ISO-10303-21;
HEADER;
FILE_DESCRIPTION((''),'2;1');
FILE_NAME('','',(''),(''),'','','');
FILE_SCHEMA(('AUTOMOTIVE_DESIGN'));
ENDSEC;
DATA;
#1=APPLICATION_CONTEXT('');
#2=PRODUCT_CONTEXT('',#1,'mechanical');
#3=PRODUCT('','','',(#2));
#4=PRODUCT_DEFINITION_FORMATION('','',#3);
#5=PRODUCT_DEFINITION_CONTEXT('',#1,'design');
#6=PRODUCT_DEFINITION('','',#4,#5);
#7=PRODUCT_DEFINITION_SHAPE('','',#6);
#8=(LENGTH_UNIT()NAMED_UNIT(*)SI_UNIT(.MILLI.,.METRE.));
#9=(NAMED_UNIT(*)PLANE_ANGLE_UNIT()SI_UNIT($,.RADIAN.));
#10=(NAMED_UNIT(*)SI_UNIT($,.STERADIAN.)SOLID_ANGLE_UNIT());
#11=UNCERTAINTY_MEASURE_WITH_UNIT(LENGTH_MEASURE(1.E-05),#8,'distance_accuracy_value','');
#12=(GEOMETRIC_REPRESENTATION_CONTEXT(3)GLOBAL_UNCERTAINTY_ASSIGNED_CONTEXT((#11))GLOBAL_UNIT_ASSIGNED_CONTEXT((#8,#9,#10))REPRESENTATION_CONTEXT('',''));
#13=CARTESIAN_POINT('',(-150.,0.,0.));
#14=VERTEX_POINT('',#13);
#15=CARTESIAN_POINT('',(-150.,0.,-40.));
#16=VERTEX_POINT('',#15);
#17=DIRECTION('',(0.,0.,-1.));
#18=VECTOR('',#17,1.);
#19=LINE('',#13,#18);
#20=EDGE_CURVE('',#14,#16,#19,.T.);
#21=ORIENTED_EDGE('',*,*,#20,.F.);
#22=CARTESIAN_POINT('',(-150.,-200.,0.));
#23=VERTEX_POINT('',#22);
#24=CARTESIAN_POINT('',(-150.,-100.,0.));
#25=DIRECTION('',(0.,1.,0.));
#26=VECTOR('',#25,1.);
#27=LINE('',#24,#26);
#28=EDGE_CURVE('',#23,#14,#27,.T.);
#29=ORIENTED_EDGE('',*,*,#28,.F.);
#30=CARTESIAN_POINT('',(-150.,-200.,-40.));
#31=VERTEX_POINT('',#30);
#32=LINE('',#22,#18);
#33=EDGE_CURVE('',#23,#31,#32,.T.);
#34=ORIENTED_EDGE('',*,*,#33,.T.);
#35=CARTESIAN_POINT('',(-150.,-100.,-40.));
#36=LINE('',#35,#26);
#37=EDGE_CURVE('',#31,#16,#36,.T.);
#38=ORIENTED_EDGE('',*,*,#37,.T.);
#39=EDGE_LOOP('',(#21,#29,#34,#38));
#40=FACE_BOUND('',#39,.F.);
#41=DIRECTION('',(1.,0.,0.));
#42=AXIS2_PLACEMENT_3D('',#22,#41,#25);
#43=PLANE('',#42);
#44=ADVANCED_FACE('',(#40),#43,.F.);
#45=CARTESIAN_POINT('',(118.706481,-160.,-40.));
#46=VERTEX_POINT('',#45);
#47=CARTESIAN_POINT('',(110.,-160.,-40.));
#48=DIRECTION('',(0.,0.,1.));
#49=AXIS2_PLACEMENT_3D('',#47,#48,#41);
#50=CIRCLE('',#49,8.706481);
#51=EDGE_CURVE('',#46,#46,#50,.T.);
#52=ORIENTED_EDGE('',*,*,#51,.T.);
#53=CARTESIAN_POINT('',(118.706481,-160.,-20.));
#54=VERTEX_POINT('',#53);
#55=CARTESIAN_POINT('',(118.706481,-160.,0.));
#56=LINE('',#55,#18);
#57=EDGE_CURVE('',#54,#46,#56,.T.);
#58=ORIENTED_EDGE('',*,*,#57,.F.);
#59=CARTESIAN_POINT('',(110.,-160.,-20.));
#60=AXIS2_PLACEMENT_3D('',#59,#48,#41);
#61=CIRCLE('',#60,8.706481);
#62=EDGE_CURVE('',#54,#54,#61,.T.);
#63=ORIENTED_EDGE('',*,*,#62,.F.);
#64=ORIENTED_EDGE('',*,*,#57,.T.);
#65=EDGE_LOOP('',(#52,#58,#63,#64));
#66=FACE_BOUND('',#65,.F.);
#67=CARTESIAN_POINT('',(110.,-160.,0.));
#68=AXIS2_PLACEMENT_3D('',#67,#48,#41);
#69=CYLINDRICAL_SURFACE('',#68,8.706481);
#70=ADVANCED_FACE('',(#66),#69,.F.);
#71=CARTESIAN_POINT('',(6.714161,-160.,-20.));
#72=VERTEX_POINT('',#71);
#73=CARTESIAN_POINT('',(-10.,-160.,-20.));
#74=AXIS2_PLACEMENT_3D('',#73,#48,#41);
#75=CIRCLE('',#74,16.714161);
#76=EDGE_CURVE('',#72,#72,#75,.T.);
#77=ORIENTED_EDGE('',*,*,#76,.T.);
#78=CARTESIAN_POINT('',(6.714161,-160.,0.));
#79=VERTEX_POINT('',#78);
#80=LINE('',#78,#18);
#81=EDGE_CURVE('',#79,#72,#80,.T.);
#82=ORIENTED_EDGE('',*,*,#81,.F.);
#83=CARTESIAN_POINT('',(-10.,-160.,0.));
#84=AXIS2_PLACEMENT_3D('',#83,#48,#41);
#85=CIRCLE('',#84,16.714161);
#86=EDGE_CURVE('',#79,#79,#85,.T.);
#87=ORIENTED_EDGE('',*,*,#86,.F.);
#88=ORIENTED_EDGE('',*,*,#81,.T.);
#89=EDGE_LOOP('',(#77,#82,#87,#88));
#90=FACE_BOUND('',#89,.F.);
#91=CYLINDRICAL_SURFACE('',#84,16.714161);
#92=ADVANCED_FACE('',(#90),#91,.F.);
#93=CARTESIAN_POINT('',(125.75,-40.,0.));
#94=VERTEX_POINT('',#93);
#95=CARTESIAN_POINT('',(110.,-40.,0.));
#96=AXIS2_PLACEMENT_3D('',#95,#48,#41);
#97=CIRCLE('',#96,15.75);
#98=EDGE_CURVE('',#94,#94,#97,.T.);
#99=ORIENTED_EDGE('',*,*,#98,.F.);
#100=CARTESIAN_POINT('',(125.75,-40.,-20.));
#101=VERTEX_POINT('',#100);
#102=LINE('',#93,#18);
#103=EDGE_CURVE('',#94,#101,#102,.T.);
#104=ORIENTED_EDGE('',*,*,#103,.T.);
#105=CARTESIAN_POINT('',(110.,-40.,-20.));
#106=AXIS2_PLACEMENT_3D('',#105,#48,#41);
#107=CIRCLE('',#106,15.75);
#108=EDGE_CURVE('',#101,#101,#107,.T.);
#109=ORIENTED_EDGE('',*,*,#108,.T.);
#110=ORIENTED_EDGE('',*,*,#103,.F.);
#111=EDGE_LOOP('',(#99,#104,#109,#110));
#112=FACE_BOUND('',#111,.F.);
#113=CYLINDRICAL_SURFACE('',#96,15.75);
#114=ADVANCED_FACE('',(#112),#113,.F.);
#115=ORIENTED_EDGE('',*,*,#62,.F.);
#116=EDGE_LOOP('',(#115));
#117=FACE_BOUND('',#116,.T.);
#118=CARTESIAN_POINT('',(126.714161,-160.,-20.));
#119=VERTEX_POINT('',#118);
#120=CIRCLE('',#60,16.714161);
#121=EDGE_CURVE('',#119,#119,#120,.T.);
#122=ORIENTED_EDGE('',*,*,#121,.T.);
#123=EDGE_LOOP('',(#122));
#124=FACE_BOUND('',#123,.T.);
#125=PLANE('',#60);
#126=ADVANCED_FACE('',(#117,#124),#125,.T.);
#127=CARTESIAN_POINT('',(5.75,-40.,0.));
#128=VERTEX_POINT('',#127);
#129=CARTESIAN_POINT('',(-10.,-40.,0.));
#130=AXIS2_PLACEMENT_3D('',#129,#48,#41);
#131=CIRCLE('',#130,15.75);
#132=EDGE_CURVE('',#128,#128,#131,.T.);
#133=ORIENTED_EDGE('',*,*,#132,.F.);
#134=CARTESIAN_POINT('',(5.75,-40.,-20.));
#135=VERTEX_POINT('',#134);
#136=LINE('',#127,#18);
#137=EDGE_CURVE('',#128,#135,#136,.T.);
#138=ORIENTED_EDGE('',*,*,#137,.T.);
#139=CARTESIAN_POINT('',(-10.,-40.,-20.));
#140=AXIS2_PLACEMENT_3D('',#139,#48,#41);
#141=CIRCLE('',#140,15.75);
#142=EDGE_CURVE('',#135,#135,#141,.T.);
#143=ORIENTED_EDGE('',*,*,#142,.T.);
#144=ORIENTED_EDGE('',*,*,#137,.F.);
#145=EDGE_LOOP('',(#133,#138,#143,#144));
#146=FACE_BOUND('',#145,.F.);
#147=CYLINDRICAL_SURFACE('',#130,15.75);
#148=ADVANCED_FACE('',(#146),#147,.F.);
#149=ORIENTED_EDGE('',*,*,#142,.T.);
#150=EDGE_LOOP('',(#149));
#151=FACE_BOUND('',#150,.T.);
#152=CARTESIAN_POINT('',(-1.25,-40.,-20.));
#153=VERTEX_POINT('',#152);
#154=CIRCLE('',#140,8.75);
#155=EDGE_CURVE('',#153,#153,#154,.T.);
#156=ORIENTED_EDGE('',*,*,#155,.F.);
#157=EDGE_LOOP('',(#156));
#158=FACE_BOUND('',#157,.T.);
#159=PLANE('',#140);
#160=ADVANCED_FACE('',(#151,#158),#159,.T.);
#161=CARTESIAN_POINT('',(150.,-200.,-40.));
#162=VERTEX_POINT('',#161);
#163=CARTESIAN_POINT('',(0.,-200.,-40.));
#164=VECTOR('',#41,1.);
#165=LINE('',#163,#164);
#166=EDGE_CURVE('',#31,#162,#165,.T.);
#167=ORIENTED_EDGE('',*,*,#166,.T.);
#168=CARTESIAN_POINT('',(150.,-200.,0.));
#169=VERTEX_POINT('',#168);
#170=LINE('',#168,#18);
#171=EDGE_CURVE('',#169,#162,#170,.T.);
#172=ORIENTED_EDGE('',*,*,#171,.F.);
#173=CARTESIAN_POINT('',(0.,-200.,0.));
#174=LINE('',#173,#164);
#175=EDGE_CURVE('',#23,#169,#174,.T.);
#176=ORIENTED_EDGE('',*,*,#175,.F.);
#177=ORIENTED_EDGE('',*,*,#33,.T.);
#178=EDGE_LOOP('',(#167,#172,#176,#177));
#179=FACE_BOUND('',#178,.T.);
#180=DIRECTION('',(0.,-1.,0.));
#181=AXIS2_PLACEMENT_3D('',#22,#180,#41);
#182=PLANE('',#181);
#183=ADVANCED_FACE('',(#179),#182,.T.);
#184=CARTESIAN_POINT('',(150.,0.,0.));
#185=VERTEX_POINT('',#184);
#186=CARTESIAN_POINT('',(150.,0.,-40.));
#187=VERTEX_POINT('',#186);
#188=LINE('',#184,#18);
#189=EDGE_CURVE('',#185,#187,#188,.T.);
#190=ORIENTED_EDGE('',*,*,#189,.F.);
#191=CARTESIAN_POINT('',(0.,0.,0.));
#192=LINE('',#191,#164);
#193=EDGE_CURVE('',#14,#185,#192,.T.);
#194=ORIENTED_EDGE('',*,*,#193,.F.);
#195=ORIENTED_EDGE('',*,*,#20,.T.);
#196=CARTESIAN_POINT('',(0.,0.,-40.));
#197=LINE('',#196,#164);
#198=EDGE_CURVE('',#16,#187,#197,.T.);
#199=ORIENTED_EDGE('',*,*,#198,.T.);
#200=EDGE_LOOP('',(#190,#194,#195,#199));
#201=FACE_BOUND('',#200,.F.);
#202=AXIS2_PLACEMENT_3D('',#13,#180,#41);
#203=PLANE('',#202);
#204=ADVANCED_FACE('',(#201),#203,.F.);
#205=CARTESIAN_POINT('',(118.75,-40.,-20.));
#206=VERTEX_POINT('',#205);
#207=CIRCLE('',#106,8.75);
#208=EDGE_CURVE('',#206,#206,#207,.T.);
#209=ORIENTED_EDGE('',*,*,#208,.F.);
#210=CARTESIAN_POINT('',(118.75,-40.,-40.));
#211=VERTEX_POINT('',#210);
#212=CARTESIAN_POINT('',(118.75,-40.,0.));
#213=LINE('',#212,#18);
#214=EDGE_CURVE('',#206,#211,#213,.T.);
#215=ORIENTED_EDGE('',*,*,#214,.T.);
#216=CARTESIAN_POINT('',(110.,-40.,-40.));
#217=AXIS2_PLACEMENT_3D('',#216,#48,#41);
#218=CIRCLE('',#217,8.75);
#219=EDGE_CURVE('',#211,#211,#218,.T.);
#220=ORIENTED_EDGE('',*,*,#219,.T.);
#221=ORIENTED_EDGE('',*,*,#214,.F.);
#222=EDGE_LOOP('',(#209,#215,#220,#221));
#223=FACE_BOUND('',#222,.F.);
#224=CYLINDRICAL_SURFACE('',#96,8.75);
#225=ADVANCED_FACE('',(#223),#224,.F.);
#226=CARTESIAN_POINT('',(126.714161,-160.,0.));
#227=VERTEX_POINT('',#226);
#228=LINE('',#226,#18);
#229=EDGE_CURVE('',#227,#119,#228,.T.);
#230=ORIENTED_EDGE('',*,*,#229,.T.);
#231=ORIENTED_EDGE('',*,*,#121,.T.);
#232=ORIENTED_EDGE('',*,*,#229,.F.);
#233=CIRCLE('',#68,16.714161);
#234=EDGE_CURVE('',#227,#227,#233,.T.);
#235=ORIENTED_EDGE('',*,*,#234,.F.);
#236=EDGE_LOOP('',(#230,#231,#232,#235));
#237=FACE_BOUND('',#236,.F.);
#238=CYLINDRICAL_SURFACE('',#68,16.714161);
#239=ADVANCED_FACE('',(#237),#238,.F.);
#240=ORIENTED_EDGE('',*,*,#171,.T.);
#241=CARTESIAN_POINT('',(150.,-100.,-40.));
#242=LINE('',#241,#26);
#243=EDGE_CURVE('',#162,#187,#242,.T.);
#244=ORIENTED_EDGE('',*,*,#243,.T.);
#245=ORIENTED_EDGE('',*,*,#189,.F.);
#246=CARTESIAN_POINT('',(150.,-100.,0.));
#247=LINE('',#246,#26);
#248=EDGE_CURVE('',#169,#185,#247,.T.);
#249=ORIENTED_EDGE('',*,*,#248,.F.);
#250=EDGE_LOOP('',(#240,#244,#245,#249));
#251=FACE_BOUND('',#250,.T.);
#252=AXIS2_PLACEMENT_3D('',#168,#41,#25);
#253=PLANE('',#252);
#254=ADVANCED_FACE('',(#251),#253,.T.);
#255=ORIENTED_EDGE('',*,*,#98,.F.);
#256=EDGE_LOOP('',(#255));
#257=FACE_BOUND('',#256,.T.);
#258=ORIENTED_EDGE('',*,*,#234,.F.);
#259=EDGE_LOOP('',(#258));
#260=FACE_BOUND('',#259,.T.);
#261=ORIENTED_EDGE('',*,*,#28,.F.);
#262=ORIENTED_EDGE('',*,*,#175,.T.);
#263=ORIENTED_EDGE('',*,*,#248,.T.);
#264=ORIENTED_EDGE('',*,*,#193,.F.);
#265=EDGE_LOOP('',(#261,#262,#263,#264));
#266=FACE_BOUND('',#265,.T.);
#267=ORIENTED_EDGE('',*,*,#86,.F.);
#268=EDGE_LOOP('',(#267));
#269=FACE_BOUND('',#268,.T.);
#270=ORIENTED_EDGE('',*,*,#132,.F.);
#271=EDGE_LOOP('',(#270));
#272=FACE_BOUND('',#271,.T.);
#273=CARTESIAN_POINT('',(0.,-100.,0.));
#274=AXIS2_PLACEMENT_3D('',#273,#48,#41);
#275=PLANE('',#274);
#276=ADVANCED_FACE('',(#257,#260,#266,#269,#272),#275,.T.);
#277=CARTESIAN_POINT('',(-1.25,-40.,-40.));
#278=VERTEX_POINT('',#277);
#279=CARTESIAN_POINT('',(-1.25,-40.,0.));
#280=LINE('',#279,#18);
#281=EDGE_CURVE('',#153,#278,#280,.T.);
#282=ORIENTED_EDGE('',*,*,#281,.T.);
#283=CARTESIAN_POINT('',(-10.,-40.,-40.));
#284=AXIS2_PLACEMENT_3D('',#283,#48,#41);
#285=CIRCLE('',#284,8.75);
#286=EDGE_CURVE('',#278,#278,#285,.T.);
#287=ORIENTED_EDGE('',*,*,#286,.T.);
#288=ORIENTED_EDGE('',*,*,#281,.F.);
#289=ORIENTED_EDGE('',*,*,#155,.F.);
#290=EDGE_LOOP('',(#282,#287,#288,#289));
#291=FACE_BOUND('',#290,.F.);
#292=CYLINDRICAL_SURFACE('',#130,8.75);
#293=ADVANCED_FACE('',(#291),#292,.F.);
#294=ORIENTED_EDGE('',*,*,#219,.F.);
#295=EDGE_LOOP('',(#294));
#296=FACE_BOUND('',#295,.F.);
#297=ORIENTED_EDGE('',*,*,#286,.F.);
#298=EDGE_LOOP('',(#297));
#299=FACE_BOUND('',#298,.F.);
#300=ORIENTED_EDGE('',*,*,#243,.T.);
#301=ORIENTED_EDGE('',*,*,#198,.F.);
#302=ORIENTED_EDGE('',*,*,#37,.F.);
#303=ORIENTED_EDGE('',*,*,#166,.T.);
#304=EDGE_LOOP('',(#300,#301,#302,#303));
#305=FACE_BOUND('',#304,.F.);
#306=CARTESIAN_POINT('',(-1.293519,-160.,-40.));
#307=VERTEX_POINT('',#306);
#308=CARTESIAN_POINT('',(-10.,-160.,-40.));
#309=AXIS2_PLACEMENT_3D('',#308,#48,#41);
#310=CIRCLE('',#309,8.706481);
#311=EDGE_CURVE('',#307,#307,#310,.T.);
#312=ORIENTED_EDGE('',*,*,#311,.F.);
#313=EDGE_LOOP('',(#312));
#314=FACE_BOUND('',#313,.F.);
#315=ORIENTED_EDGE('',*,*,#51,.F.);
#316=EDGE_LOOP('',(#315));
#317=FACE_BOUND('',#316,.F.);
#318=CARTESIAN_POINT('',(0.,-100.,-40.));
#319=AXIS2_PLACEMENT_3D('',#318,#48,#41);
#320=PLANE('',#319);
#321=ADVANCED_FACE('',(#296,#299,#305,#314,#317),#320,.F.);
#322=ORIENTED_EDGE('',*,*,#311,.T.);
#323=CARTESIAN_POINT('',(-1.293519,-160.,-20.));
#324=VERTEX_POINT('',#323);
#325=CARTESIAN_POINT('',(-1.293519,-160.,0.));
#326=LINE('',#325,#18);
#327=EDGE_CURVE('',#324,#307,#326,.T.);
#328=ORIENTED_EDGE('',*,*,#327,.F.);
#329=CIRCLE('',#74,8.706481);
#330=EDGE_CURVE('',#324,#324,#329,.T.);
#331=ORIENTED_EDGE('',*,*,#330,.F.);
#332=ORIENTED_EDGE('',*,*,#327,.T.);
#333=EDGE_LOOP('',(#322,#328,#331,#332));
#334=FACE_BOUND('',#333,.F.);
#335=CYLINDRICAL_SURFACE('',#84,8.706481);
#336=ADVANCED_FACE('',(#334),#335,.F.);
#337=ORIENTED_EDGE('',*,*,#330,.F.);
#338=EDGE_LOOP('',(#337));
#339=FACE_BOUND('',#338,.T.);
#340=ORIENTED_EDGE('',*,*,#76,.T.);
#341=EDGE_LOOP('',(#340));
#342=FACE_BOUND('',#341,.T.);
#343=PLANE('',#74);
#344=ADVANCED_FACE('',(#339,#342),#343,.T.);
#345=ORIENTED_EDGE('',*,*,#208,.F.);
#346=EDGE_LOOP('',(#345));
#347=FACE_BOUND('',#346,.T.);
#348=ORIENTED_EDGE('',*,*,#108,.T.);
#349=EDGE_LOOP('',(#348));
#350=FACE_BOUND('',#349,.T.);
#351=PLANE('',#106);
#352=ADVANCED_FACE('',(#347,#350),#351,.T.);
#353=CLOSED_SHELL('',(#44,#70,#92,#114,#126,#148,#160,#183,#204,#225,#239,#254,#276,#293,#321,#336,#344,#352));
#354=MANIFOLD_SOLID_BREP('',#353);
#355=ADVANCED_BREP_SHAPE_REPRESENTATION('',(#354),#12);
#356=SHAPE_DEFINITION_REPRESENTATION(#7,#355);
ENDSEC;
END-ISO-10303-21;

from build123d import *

# Parameters (mm, degrees)
F0_W     = 300
F0_H     = 200
F0_R     = 16.7141614778
F0_R_2   = 15.75
F0_R_3   = 8.7064811445
F0_R_4   = 8.75
F1_DEPTH = 40
F2_DEPTH = 20


with BuildPart() as f1:
    # F0 (on Top) → F1 (new body)
    with BuildSketch(Plane.XY):
        with Locations((0, -100)):
            Rectangle(F0_W, F0_H)
        with Locations((-10, -160)):
            Circle(F0_R, mode=Mode.SUBTRACT)
        with Locations((110, -160)):
            Circle(F0_R, mode=Mode.SUBTRACT)
        with Locations((-10, -40)):
            Circle(F0_R_2, mode=Mode.SUBTRACT)
        with Locations((110, -40)):
            Circle(F0_R_2, mode=Mode.SUBTRACT)
        with Locations((-10, -160)):
            Circle(F0_R)
        with Locations((-10, -160)):
            Circle(F0_R_3, mode=Mode.SUBTRACT)
        with Locations((110, -160)):
            Circle(F0_R)
        with Locations((110, -160)):
            Circle(F0_R_3, mode=Mode.SUBTRACT)
        with Locations((110, -40)):
            Circle(F0_R_2)
        with Locations((110, -40)):
            Circle(F0_R_4, mode=Mode.SUBTRACT)
        with Locations((-10, -40)):
            Circle(F0_R_2)
        with Locations((-10, -40)):
            Circle(F0_R_4, mode=Mode.SUBTRACT)
    extrude(amount=-F1_DEPTH)

    # F0 (on Top) → F2 (cut)
    with BuildSketch(Plane.XY):
        with Locations((-10, -160)):
            Circle(F0_R)
        with Locations((-10, -160)):
            Circle(F0_R_3, mode=Mode.SUBTRACT)
        with Locations((110, -160)):
            Circle(F0_R)
        with Locations((110, -160)):
            Circle(F0_R_3, mode=Mode.SUBTRACT)
        with Locations((-10, -40)):
            Circle(F0_R_2)
        with Locations((-10, -40)):
            Circle(F0_R_4, mode=Mode.SUBTRACT)
        with Locations((110, -40)):
            Circle(F0_R_2)
        with Locations((110, -40)):
            Circle(F0_R_4, mode=Mode.SUBTRACT)
    extrude(amount=-F2_DEPTH, mode=Mode.SUBTRACT)


solid = f1.part
